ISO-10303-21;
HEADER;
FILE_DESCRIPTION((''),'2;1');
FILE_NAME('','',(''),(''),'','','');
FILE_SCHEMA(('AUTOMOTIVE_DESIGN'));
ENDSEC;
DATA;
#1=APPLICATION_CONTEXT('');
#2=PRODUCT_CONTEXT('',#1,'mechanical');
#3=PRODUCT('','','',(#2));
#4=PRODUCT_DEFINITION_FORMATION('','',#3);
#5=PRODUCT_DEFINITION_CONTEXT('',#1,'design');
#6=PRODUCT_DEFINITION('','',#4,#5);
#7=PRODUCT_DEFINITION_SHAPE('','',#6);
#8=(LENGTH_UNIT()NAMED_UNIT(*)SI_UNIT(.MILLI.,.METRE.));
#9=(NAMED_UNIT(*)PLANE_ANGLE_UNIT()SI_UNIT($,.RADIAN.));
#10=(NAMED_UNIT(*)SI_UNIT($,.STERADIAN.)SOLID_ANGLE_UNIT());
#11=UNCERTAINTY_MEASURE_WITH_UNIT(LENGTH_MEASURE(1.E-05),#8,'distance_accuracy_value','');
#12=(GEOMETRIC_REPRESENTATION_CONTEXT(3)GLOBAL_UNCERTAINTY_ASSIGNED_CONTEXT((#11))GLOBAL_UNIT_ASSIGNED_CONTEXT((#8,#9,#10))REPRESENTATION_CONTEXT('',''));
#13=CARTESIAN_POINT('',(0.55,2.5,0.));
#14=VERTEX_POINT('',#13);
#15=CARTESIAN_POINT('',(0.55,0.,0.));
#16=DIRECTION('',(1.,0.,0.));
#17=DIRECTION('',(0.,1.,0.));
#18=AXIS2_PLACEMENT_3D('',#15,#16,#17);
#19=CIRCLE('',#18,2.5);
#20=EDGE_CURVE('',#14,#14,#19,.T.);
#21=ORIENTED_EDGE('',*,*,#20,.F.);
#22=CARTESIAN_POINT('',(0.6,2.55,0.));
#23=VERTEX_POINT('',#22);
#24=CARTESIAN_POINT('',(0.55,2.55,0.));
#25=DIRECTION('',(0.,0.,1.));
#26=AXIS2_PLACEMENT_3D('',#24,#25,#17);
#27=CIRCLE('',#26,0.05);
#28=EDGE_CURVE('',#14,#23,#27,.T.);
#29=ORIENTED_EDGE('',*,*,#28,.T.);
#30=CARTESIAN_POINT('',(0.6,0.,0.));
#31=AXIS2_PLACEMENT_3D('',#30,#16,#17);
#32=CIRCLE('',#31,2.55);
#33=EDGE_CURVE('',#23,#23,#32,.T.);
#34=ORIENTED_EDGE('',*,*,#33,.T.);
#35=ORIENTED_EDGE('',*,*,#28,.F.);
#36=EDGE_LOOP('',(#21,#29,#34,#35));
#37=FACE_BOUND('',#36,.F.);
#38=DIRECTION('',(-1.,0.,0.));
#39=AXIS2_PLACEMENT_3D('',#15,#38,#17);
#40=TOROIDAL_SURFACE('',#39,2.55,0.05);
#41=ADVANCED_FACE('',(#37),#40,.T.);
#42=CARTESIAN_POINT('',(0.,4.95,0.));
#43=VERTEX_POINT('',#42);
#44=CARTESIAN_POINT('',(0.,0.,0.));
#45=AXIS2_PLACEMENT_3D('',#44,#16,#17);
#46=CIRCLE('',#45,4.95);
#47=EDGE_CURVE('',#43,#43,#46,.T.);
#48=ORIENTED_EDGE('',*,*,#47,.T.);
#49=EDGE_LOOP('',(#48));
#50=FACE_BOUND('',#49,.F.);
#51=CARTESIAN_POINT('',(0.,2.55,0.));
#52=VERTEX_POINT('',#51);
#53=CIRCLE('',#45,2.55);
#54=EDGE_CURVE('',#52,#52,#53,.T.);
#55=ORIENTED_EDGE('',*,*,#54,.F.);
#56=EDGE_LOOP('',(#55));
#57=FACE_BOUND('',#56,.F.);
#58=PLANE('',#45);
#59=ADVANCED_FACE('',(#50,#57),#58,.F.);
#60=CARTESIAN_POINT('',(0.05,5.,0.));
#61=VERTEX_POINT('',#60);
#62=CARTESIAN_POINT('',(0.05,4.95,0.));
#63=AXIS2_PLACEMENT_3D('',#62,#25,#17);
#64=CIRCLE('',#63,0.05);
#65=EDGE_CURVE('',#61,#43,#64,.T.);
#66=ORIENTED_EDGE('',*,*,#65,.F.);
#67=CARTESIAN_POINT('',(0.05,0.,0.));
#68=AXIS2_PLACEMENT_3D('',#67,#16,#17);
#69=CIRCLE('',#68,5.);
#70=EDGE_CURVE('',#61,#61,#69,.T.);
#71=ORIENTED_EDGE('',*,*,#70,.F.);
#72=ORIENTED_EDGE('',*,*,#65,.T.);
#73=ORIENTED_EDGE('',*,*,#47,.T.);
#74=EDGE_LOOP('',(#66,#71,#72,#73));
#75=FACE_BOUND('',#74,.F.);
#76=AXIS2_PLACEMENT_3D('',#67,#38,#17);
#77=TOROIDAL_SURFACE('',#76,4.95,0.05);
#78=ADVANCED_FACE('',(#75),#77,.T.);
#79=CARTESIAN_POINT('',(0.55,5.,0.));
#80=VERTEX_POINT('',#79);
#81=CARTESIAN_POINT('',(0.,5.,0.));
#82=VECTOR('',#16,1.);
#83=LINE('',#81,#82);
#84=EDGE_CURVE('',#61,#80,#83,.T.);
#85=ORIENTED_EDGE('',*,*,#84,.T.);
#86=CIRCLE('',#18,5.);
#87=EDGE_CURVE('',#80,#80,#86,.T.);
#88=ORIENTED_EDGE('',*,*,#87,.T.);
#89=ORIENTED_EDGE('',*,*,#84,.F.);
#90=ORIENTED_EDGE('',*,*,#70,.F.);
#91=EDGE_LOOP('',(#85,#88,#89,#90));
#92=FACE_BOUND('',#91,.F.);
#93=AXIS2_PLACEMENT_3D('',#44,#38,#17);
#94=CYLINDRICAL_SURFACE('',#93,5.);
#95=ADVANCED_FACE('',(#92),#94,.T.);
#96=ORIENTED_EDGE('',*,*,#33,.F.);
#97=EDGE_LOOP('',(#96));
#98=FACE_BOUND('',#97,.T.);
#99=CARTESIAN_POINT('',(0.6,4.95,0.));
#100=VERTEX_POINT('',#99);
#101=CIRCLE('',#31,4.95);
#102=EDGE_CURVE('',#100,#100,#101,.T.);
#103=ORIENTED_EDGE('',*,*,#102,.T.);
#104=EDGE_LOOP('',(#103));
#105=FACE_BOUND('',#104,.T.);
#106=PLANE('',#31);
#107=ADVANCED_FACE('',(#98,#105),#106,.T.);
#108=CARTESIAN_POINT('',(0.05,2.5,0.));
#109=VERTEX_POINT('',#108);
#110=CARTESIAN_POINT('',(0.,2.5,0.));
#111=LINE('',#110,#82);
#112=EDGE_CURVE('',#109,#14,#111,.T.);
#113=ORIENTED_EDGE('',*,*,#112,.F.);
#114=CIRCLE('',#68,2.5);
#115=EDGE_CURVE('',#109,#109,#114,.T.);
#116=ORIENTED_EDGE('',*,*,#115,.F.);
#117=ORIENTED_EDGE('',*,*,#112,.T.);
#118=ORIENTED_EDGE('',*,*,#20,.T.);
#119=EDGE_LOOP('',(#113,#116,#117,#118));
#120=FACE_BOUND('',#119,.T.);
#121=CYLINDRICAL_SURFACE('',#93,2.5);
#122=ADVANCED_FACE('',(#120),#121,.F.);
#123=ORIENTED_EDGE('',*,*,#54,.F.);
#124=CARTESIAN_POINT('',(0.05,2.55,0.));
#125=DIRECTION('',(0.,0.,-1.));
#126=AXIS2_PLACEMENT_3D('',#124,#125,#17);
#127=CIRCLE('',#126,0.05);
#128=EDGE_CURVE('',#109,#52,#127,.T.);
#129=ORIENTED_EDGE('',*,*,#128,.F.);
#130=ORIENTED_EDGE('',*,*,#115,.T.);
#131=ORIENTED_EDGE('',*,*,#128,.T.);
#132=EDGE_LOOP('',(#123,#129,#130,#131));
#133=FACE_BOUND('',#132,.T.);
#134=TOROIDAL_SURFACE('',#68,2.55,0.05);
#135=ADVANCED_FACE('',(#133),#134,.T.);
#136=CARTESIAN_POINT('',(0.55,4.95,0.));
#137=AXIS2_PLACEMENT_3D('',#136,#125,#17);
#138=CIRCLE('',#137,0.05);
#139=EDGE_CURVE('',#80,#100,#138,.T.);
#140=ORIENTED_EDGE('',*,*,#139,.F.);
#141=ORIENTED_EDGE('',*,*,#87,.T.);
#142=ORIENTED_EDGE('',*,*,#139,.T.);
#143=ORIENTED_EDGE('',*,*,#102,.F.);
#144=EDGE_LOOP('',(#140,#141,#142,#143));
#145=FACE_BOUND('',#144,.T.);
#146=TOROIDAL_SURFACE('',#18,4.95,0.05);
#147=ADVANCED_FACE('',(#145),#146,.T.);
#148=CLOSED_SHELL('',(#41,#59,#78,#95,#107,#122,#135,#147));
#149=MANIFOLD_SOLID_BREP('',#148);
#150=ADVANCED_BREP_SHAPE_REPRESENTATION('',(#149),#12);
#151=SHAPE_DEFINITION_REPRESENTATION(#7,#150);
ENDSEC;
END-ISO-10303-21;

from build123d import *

# Parameters (mm, degrees)
F0_R     = 5
F0_R_2   = 2.5
F1_DEPTH = 0.6
F2_R     = 0.05


with BuildPart() as f1:
    # F0 (on Right) → F1 (new body)
    with BuildSketch(Plane.YZ):
        Circle(F0_R)
        Circle(F0_R_2, mode=Mode.SUBTRACT)
    extrude(amount=F1_DEPTH)

    # F2
    f2_edges = [f1.edges().sort_by_distance(p)[0] for p in [
        (0.6, -5, 0),
        (0, -5, 0),
        (0, -2.5, 0),
        (0.6, -2.5, 0),
    ]]
    fillet(f2_edges, radius=F2_R)


solid = f1.part
